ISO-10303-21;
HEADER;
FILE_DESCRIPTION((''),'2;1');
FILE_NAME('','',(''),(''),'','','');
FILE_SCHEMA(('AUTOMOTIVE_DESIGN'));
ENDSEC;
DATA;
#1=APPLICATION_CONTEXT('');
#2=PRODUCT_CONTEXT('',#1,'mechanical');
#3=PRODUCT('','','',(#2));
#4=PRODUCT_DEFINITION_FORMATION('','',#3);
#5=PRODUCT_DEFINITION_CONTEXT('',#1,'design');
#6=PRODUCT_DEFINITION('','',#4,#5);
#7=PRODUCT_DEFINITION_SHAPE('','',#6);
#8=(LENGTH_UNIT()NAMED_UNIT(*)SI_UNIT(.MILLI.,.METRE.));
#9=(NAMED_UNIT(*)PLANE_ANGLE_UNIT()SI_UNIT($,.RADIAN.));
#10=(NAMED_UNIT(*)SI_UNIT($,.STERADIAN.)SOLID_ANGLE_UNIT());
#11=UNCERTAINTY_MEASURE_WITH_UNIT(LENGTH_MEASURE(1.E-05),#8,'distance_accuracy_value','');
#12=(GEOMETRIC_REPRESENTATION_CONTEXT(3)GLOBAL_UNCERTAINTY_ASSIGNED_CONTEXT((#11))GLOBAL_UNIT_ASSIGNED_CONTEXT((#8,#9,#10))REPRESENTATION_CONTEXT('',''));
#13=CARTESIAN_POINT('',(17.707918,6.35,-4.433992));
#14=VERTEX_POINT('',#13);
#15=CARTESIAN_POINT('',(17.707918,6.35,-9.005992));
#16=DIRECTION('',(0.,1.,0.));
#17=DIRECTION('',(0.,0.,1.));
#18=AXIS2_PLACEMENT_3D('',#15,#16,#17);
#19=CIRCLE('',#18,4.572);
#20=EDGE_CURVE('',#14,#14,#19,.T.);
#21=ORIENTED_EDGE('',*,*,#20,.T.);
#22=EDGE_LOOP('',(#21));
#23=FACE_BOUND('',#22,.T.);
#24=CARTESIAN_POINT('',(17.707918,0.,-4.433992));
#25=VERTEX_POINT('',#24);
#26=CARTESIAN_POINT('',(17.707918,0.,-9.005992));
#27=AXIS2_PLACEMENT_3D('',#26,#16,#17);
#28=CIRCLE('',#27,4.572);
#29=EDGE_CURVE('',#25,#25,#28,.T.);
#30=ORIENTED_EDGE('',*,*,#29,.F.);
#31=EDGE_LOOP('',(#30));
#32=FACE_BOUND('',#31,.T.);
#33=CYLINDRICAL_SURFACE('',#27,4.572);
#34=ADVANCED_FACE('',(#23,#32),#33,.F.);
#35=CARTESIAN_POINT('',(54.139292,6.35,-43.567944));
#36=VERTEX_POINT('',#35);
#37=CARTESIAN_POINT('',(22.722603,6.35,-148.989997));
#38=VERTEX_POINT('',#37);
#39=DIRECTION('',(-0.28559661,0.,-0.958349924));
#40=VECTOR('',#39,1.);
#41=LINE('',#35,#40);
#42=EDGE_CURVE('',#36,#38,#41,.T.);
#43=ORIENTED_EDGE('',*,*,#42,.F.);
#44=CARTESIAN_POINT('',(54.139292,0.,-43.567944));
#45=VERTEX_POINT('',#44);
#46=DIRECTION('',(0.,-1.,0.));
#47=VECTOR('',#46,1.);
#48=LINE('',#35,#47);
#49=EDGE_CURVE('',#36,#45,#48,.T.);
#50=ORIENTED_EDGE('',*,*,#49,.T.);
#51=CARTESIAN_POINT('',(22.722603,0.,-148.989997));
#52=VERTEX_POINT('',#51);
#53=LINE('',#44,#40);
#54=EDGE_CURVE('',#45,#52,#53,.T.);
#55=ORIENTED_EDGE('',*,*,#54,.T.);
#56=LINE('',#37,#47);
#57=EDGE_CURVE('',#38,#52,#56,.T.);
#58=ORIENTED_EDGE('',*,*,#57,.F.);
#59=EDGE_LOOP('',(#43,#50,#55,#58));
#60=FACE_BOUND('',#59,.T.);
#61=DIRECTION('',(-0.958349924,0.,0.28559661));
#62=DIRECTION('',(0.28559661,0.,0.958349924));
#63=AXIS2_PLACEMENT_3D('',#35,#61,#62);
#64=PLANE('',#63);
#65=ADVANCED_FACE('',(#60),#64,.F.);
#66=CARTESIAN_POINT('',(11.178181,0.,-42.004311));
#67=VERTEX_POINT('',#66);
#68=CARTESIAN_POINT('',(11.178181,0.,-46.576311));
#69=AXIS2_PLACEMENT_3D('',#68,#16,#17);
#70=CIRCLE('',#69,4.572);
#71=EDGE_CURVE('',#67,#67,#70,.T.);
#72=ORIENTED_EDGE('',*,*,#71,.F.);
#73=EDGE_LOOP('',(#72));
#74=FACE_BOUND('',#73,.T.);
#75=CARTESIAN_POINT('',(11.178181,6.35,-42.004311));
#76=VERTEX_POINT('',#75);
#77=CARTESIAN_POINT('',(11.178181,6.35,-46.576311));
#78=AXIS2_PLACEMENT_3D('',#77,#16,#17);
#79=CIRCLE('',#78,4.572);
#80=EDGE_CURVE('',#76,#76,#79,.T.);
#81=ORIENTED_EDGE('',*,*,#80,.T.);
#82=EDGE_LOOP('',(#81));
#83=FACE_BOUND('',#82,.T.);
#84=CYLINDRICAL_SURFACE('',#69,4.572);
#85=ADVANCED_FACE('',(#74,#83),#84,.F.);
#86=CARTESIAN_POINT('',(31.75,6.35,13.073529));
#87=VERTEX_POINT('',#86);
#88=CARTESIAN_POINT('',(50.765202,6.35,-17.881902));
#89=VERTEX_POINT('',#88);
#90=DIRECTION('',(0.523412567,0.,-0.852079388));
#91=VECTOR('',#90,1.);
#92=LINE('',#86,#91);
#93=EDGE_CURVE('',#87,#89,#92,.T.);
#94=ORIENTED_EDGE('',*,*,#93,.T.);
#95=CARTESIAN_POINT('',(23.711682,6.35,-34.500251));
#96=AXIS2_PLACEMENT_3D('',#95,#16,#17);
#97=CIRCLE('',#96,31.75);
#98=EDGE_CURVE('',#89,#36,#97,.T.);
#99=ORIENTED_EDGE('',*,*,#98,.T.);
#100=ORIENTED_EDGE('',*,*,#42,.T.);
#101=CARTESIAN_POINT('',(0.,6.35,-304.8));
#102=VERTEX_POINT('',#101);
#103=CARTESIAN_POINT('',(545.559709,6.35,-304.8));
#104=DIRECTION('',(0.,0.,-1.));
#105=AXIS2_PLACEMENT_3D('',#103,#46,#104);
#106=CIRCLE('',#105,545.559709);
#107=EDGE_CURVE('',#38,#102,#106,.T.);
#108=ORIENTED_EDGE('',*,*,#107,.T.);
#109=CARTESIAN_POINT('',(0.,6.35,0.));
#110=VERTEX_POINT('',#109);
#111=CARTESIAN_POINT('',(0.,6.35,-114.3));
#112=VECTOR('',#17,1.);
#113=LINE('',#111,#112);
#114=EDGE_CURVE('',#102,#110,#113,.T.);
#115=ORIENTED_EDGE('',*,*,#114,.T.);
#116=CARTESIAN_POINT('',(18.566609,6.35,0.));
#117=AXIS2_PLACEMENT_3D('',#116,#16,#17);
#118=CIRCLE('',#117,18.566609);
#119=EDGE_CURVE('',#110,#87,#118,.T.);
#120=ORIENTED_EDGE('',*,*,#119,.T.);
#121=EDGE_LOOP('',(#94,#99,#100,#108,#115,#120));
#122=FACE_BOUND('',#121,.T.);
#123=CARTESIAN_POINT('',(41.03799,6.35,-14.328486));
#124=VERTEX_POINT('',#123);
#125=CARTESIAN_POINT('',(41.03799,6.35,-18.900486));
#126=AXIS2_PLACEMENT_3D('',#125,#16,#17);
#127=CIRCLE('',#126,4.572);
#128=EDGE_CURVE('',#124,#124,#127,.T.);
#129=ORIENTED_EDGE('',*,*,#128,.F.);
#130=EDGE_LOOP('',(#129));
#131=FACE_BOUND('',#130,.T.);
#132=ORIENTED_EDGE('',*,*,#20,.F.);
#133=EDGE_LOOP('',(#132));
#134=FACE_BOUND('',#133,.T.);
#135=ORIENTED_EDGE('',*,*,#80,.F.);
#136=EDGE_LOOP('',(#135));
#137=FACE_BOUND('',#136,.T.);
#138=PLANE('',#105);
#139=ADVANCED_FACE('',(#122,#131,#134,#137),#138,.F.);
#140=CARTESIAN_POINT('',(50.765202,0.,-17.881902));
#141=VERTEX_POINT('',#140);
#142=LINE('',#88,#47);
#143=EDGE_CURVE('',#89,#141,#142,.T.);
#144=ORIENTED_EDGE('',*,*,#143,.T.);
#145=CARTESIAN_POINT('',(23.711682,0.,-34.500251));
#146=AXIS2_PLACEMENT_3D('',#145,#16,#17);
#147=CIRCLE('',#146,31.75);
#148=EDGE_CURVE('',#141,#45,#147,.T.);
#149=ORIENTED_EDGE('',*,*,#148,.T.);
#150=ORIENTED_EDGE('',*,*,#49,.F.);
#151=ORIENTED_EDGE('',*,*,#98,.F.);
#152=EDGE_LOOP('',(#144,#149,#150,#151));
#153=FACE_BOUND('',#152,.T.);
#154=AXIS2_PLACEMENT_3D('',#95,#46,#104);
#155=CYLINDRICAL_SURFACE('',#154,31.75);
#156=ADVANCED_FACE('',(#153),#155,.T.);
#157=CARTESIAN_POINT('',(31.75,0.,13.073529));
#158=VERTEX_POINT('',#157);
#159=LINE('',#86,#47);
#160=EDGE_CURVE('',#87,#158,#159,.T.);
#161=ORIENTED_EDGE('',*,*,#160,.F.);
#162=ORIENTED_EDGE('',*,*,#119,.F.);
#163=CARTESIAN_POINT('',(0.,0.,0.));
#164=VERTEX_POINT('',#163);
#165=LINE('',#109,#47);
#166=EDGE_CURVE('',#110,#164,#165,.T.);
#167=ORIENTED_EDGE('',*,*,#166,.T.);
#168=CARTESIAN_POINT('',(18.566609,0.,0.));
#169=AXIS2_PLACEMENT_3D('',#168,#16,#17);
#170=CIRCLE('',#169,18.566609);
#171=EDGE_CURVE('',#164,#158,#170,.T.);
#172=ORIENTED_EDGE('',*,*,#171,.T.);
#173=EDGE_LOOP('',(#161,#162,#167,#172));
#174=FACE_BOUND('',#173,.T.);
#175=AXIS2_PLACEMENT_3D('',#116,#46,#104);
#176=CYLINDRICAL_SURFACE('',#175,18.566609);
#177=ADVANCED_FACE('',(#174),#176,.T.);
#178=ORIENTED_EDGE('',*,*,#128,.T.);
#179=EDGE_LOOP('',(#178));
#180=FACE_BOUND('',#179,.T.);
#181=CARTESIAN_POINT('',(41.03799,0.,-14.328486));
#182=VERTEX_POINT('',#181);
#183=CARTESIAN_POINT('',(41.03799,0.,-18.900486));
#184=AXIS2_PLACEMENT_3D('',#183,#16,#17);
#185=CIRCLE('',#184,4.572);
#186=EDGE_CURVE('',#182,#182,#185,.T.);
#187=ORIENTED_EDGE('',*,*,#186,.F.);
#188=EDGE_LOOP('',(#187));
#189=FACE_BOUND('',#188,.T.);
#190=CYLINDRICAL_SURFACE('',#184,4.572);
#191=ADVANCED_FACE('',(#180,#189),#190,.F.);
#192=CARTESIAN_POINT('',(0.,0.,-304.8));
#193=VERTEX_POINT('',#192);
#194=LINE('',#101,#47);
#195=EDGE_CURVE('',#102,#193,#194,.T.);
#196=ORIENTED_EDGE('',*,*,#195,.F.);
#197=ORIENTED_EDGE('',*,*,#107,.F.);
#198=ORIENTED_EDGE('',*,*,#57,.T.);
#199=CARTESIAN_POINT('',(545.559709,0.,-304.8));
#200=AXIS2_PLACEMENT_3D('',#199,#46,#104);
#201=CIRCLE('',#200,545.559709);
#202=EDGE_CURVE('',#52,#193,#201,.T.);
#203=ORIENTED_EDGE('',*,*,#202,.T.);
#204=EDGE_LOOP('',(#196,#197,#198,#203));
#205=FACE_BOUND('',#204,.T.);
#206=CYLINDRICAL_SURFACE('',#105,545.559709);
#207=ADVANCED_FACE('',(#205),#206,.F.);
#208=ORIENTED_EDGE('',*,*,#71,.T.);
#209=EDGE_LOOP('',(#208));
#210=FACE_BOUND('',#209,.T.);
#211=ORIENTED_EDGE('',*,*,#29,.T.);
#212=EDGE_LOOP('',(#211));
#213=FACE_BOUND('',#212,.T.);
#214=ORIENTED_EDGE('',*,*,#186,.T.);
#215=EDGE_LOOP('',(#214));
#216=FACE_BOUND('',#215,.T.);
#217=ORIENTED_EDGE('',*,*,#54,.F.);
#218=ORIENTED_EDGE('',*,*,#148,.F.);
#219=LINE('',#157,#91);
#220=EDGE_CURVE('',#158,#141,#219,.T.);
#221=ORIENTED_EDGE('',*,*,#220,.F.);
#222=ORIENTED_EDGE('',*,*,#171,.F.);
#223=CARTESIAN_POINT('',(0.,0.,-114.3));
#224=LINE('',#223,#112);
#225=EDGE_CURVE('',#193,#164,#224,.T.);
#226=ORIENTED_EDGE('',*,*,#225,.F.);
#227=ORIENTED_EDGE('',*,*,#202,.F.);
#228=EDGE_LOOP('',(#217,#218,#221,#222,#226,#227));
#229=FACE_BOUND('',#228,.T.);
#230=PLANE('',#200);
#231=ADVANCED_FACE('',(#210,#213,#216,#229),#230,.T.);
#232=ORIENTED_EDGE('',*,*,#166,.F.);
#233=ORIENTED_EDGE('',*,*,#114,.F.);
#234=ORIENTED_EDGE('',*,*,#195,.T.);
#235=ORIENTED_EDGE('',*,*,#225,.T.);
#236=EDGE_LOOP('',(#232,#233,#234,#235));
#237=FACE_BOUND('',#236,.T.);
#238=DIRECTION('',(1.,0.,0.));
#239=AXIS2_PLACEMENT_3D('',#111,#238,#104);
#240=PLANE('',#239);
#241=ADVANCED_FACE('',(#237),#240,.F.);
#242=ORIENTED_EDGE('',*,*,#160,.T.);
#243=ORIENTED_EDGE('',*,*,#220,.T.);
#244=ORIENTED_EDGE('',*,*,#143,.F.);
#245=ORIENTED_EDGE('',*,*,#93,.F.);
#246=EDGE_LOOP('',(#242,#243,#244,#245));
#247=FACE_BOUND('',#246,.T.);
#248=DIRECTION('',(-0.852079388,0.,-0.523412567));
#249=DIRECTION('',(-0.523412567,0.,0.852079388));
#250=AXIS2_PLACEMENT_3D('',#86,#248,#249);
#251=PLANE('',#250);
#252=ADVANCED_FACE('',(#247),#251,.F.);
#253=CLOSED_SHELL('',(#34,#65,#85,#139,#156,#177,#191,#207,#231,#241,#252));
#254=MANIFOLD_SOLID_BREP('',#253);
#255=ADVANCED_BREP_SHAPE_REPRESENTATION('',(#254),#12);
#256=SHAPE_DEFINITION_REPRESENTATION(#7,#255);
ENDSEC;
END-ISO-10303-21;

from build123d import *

# Parameters (mm, degrees)
BOSS_EXTRUDE1_DEPTH = 6.35
SKETCH2_W           = 19.05
SKETCH2_H           = 190.5
CUT_EXTRUDE1_DEPTH  = 310.869909223
SKETCH3_R           = 4.572
CUT_EXTRUDE2_DEPTH  = 310.869909223


with BuildPart() as part:
    # Sketch1 → Boss-Extrude1 (new body)
    with BuildSketch(Plane(origin=(0, 0, 0), x_dir=(1, 0, 0), z_dir=(0, 1, 0))):
        with BuildLine():
            Line((31.75, -13.073529412), (50.765202328, 17.881902266))
            ThreePointArc((50.765202328, 17.881902266), (55.191250928, 30.365130488), (54.139291827, 43.567943639))
            Line((54.139291827, 43.567943639), (22.722603429, 148.989996692))
            ThreePointArc((22.722603429, 148.989996692), (5.710537817, 226.070917322), (0, 304.8))
            Line((0, 304.8), (-19.05, 304.8))
            Line((-19.05, 304.8), (-19.05, 114.3))
            Line((-19.05, 114.3), (0, 114.3))
            Line((0, 114.3), (0, 0))
            ThreePointArc((0, 0), (11.497376237, -17.168136702), (31.75, -13.073529412))
        make_face()
    extrude(amount=BOSS_EXTRUDE1_DEPTH)

    # Sketch2 → Cut-Extrude1 (cut, through all)
    with BuildSketch(Plane(origin=(0, 6.35, 0), x_dir=(1, 0, 0), z_dir=(0, 1, 0))):
        with Locations((-9.525, 209.55)):
            Rectangle(SKETCH2_W, SKETCH2_H)
    extrude(amount=-CUT_EXTRUDE1_DEPTH, mode=Mode.SUBTRACT)

    # Sketch3 → Cut-Extrude2 (cut, through all)
    with BuildSketch(Plane(origin=(0, 6.35, 0), x_dir=(1, 0, 0), z_dir=(0, 1, 0))):
        with Locations(Location((11.178180871, 46.576310918, 0), (0, 0, 270))):
            Circle(SKETCH3_R)
        with Locations(Location((17.707917982, 9.005992113, 0), (0, 0, 270))):
            Circle(SKETCH3_R)
        with Locations(Location((41.037990009, 18.900486467, 0), (0, 0, 270))):
            Circle(SKETCH3_R)
    extrude(amount=-CUT_EXTRUDE2_DEPTH, mode=Mode.SUBTRACT)


solid = part.part
